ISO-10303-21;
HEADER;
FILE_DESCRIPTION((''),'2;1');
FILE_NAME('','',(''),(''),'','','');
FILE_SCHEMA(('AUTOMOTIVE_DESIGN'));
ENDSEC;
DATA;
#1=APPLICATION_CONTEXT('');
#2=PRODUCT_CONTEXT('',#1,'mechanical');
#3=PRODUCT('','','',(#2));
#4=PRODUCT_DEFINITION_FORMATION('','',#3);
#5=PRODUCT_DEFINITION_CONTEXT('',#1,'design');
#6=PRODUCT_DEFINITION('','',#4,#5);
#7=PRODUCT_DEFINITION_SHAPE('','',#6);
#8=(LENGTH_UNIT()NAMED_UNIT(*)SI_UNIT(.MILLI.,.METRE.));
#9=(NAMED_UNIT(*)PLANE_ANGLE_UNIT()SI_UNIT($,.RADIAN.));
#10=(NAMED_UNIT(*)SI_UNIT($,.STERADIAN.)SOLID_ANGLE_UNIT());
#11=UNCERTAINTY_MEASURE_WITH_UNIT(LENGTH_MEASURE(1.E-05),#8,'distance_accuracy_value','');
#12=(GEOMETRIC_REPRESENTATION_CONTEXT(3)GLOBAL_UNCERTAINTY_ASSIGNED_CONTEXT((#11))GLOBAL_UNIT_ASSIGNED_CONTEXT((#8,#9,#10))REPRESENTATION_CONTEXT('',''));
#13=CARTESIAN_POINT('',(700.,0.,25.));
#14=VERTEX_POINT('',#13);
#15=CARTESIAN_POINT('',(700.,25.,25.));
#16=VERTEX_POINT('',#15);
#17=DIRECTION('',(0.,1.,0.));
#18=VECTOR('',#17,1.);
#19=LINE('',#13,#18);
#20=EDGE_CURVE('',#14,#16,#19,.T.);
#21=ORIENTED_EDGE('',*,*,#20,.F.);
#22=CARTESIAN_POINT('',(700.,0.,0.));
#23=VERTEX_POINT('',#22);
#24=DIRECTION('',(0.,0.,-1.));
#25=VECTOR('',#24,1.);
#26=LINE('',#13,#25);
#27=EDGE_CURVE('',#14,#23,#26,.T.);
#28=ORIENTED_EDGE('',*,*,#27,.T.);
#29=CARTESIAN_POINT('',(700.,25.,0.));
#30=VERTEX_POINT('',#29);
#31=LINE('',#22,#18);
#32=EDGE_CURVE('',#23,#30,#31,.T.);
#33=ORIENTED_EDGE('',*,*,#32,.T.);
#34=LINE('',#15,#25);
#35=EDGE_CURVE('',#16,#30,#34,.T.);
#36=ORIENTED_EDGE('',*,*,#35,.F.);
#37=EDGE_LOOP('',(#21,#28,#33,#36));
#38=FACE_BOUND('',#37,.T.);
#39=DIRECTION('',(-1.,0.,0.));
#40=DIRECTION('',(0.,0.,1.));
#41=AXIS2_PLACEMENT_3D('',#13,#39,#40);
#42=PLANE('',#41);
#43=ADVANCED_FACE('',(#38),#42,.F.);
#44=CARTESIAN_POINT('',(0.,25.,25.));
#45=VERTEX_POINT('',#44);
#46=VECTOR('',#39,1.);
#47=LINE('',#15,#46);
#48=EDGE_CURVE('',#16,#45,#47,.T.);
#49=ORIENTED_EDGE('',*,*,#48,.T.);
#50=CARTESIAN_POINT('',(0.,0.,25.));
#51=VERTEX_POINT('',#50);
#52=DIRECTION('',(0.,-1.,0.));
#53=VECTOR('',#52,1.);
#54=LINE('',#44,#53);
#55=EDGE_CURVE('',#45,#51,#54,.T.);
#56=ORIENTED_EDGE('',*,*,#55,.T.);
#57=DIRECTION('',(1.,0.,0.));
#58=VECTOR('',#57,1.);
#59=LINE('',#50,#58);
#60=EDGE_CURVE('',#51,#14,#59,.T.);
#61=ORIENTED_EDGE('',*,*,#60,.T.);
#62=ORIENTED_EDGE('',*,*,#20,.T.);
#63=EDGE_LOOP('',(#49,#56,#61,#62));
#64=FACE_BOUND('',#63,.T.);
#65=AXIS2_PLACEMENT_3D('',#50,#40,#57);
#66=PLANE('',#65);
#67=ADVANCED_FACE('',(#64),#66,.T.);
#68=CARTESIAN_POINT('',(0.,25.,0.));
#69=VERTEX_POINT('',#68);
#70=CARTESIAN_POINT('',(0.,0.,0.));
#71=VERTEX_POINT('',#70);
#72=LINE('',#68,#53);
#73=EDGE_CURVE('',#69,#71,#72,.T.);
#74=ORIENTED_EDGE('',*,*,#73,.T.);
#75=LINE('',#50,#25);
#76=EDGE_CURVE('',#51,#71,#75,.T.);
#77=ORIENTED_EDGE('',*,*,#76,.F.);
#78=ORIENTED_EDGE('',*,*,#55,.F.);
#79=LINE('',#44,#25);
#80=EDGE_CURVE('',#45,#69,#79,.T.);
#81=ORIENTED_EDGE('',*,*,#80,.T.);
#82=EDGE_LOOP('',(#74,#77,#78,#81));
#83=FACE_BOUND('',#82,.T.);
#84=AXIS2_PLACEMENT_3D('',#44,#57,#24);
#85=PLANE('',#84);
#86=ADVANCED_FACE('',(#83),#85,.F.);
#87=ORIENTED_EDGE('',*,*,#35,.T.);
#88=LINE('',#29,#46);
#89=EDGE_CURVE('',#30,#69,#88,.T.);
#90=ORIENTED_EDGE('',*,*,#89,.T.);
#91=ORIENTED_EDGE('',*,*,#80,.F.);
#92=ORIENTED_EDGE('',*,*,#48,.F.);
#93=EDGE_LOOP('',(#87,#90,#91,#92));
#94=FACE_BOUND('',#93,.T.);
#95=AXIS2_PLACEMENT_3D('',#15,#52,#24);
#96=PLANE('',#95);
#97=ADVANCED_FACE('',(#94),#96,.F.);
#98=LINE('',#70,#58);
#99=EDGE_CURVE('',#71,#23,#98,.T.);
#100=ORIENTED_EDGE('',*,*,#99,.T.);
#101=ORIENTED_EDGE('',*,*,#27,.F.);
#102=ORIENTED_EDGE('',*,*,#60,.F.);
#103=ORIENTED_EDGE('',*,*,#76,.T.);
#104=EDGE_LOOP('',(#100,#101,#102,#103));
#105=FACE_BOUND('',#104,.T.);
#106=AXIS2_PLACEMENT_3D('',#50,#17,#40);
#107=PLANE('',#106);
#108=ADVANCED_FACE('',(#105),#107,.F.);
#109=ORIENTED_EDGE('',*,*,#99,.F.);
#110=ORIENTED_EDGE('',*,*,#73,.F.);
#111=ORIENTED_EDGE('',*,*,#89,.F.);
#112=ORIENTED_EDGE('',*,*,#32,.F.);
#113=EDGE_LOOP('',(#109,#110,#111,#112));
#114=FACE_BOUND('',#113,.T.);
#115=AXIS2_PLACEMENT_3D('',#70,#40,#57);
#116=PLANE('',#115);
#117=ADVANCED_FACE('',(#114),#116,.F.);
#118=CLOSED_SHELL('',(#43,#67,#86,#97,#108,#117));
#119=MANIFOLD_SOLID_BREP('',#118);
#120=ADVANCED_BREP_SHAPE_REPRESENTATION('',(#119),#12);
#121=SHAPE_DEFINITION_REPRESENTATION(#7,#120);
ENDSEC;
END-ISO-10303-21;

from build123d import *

# Parameters (mm, degrees)
SKETCH_1_W         = 700
SKETCH_1_H         = 25
BLOCKEXTRUDE_DEPTH = 25


with BuildPart() as part:
    # 草图1 → BlockExtrude (new body)
    with BuildSketch(Plane.XY):
        with Locations((350, 12.5)):
            Rectangle(SKETCH_1_W, SKETCH_1_H)
    extrude(amount=BLOCKEXTRUDE_DEPTH)


solid = part.part
